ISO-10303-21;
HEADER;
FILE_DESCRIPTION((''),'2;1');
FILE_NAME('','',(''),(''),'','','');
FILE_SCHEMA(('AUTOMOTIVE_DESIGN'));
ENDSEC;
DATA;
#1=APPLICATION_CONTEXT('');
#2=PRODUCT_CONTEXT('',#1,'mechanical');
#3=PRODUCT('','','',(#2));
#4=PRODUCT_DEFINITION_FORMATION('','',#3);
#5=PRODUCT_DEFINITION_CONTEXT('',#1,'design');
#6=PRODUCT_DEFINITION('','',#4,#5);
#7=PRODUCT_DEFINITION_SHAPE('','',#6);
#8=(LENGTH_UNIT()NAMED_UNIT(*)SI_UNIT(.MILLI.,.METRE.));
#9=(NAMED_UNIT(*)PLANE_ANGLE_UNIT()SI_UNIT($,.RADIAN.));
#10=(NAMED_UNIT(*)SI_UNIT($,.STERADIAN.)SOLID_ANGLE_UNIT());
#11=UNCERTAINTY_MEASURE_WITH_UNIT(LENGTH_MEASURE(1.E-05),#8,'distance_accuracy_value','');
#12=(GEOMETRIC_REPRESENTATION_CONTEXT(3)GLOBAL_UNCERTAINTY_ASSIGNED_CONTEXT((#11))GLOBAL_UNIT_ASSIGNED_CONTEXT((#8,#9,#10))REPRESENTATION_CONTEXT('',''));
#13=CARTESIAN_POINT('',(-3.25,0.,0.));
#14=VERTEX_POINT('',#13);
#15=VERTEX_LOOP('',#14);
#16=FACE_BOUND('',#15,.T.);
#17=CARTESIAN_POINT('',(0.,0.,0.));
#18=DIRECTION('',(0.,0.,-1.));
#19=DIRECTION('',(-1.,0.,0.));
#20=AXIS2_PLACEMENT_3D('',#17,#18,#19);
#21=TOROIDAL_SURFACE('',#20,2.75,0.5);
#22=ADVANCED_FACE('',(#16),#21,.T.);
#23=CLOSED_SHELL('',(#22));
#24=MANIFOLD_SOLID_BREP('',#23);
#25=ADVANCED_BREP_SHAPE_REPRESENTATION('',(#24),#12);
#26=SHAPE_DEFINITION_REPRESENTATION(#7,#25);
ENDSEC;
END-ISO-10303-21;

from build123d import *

# Parameters (mm, degrees)
SKETCH2_R = 0.5


with BuildPart() as part:
    # Sketch2 → Revolve1 (revolve)
    with BuildSketch(Plane(origin=(0, 0, 0), x_dir=(1, 0, 0), z_dir=(0, 1, 0))):
        with Locations((2.75, 0)):
            Circle(SKETCH2_R)
    revolve(axis=Axis((0, 0, -0.5), (0, 0, 1)))


solid = part.part
